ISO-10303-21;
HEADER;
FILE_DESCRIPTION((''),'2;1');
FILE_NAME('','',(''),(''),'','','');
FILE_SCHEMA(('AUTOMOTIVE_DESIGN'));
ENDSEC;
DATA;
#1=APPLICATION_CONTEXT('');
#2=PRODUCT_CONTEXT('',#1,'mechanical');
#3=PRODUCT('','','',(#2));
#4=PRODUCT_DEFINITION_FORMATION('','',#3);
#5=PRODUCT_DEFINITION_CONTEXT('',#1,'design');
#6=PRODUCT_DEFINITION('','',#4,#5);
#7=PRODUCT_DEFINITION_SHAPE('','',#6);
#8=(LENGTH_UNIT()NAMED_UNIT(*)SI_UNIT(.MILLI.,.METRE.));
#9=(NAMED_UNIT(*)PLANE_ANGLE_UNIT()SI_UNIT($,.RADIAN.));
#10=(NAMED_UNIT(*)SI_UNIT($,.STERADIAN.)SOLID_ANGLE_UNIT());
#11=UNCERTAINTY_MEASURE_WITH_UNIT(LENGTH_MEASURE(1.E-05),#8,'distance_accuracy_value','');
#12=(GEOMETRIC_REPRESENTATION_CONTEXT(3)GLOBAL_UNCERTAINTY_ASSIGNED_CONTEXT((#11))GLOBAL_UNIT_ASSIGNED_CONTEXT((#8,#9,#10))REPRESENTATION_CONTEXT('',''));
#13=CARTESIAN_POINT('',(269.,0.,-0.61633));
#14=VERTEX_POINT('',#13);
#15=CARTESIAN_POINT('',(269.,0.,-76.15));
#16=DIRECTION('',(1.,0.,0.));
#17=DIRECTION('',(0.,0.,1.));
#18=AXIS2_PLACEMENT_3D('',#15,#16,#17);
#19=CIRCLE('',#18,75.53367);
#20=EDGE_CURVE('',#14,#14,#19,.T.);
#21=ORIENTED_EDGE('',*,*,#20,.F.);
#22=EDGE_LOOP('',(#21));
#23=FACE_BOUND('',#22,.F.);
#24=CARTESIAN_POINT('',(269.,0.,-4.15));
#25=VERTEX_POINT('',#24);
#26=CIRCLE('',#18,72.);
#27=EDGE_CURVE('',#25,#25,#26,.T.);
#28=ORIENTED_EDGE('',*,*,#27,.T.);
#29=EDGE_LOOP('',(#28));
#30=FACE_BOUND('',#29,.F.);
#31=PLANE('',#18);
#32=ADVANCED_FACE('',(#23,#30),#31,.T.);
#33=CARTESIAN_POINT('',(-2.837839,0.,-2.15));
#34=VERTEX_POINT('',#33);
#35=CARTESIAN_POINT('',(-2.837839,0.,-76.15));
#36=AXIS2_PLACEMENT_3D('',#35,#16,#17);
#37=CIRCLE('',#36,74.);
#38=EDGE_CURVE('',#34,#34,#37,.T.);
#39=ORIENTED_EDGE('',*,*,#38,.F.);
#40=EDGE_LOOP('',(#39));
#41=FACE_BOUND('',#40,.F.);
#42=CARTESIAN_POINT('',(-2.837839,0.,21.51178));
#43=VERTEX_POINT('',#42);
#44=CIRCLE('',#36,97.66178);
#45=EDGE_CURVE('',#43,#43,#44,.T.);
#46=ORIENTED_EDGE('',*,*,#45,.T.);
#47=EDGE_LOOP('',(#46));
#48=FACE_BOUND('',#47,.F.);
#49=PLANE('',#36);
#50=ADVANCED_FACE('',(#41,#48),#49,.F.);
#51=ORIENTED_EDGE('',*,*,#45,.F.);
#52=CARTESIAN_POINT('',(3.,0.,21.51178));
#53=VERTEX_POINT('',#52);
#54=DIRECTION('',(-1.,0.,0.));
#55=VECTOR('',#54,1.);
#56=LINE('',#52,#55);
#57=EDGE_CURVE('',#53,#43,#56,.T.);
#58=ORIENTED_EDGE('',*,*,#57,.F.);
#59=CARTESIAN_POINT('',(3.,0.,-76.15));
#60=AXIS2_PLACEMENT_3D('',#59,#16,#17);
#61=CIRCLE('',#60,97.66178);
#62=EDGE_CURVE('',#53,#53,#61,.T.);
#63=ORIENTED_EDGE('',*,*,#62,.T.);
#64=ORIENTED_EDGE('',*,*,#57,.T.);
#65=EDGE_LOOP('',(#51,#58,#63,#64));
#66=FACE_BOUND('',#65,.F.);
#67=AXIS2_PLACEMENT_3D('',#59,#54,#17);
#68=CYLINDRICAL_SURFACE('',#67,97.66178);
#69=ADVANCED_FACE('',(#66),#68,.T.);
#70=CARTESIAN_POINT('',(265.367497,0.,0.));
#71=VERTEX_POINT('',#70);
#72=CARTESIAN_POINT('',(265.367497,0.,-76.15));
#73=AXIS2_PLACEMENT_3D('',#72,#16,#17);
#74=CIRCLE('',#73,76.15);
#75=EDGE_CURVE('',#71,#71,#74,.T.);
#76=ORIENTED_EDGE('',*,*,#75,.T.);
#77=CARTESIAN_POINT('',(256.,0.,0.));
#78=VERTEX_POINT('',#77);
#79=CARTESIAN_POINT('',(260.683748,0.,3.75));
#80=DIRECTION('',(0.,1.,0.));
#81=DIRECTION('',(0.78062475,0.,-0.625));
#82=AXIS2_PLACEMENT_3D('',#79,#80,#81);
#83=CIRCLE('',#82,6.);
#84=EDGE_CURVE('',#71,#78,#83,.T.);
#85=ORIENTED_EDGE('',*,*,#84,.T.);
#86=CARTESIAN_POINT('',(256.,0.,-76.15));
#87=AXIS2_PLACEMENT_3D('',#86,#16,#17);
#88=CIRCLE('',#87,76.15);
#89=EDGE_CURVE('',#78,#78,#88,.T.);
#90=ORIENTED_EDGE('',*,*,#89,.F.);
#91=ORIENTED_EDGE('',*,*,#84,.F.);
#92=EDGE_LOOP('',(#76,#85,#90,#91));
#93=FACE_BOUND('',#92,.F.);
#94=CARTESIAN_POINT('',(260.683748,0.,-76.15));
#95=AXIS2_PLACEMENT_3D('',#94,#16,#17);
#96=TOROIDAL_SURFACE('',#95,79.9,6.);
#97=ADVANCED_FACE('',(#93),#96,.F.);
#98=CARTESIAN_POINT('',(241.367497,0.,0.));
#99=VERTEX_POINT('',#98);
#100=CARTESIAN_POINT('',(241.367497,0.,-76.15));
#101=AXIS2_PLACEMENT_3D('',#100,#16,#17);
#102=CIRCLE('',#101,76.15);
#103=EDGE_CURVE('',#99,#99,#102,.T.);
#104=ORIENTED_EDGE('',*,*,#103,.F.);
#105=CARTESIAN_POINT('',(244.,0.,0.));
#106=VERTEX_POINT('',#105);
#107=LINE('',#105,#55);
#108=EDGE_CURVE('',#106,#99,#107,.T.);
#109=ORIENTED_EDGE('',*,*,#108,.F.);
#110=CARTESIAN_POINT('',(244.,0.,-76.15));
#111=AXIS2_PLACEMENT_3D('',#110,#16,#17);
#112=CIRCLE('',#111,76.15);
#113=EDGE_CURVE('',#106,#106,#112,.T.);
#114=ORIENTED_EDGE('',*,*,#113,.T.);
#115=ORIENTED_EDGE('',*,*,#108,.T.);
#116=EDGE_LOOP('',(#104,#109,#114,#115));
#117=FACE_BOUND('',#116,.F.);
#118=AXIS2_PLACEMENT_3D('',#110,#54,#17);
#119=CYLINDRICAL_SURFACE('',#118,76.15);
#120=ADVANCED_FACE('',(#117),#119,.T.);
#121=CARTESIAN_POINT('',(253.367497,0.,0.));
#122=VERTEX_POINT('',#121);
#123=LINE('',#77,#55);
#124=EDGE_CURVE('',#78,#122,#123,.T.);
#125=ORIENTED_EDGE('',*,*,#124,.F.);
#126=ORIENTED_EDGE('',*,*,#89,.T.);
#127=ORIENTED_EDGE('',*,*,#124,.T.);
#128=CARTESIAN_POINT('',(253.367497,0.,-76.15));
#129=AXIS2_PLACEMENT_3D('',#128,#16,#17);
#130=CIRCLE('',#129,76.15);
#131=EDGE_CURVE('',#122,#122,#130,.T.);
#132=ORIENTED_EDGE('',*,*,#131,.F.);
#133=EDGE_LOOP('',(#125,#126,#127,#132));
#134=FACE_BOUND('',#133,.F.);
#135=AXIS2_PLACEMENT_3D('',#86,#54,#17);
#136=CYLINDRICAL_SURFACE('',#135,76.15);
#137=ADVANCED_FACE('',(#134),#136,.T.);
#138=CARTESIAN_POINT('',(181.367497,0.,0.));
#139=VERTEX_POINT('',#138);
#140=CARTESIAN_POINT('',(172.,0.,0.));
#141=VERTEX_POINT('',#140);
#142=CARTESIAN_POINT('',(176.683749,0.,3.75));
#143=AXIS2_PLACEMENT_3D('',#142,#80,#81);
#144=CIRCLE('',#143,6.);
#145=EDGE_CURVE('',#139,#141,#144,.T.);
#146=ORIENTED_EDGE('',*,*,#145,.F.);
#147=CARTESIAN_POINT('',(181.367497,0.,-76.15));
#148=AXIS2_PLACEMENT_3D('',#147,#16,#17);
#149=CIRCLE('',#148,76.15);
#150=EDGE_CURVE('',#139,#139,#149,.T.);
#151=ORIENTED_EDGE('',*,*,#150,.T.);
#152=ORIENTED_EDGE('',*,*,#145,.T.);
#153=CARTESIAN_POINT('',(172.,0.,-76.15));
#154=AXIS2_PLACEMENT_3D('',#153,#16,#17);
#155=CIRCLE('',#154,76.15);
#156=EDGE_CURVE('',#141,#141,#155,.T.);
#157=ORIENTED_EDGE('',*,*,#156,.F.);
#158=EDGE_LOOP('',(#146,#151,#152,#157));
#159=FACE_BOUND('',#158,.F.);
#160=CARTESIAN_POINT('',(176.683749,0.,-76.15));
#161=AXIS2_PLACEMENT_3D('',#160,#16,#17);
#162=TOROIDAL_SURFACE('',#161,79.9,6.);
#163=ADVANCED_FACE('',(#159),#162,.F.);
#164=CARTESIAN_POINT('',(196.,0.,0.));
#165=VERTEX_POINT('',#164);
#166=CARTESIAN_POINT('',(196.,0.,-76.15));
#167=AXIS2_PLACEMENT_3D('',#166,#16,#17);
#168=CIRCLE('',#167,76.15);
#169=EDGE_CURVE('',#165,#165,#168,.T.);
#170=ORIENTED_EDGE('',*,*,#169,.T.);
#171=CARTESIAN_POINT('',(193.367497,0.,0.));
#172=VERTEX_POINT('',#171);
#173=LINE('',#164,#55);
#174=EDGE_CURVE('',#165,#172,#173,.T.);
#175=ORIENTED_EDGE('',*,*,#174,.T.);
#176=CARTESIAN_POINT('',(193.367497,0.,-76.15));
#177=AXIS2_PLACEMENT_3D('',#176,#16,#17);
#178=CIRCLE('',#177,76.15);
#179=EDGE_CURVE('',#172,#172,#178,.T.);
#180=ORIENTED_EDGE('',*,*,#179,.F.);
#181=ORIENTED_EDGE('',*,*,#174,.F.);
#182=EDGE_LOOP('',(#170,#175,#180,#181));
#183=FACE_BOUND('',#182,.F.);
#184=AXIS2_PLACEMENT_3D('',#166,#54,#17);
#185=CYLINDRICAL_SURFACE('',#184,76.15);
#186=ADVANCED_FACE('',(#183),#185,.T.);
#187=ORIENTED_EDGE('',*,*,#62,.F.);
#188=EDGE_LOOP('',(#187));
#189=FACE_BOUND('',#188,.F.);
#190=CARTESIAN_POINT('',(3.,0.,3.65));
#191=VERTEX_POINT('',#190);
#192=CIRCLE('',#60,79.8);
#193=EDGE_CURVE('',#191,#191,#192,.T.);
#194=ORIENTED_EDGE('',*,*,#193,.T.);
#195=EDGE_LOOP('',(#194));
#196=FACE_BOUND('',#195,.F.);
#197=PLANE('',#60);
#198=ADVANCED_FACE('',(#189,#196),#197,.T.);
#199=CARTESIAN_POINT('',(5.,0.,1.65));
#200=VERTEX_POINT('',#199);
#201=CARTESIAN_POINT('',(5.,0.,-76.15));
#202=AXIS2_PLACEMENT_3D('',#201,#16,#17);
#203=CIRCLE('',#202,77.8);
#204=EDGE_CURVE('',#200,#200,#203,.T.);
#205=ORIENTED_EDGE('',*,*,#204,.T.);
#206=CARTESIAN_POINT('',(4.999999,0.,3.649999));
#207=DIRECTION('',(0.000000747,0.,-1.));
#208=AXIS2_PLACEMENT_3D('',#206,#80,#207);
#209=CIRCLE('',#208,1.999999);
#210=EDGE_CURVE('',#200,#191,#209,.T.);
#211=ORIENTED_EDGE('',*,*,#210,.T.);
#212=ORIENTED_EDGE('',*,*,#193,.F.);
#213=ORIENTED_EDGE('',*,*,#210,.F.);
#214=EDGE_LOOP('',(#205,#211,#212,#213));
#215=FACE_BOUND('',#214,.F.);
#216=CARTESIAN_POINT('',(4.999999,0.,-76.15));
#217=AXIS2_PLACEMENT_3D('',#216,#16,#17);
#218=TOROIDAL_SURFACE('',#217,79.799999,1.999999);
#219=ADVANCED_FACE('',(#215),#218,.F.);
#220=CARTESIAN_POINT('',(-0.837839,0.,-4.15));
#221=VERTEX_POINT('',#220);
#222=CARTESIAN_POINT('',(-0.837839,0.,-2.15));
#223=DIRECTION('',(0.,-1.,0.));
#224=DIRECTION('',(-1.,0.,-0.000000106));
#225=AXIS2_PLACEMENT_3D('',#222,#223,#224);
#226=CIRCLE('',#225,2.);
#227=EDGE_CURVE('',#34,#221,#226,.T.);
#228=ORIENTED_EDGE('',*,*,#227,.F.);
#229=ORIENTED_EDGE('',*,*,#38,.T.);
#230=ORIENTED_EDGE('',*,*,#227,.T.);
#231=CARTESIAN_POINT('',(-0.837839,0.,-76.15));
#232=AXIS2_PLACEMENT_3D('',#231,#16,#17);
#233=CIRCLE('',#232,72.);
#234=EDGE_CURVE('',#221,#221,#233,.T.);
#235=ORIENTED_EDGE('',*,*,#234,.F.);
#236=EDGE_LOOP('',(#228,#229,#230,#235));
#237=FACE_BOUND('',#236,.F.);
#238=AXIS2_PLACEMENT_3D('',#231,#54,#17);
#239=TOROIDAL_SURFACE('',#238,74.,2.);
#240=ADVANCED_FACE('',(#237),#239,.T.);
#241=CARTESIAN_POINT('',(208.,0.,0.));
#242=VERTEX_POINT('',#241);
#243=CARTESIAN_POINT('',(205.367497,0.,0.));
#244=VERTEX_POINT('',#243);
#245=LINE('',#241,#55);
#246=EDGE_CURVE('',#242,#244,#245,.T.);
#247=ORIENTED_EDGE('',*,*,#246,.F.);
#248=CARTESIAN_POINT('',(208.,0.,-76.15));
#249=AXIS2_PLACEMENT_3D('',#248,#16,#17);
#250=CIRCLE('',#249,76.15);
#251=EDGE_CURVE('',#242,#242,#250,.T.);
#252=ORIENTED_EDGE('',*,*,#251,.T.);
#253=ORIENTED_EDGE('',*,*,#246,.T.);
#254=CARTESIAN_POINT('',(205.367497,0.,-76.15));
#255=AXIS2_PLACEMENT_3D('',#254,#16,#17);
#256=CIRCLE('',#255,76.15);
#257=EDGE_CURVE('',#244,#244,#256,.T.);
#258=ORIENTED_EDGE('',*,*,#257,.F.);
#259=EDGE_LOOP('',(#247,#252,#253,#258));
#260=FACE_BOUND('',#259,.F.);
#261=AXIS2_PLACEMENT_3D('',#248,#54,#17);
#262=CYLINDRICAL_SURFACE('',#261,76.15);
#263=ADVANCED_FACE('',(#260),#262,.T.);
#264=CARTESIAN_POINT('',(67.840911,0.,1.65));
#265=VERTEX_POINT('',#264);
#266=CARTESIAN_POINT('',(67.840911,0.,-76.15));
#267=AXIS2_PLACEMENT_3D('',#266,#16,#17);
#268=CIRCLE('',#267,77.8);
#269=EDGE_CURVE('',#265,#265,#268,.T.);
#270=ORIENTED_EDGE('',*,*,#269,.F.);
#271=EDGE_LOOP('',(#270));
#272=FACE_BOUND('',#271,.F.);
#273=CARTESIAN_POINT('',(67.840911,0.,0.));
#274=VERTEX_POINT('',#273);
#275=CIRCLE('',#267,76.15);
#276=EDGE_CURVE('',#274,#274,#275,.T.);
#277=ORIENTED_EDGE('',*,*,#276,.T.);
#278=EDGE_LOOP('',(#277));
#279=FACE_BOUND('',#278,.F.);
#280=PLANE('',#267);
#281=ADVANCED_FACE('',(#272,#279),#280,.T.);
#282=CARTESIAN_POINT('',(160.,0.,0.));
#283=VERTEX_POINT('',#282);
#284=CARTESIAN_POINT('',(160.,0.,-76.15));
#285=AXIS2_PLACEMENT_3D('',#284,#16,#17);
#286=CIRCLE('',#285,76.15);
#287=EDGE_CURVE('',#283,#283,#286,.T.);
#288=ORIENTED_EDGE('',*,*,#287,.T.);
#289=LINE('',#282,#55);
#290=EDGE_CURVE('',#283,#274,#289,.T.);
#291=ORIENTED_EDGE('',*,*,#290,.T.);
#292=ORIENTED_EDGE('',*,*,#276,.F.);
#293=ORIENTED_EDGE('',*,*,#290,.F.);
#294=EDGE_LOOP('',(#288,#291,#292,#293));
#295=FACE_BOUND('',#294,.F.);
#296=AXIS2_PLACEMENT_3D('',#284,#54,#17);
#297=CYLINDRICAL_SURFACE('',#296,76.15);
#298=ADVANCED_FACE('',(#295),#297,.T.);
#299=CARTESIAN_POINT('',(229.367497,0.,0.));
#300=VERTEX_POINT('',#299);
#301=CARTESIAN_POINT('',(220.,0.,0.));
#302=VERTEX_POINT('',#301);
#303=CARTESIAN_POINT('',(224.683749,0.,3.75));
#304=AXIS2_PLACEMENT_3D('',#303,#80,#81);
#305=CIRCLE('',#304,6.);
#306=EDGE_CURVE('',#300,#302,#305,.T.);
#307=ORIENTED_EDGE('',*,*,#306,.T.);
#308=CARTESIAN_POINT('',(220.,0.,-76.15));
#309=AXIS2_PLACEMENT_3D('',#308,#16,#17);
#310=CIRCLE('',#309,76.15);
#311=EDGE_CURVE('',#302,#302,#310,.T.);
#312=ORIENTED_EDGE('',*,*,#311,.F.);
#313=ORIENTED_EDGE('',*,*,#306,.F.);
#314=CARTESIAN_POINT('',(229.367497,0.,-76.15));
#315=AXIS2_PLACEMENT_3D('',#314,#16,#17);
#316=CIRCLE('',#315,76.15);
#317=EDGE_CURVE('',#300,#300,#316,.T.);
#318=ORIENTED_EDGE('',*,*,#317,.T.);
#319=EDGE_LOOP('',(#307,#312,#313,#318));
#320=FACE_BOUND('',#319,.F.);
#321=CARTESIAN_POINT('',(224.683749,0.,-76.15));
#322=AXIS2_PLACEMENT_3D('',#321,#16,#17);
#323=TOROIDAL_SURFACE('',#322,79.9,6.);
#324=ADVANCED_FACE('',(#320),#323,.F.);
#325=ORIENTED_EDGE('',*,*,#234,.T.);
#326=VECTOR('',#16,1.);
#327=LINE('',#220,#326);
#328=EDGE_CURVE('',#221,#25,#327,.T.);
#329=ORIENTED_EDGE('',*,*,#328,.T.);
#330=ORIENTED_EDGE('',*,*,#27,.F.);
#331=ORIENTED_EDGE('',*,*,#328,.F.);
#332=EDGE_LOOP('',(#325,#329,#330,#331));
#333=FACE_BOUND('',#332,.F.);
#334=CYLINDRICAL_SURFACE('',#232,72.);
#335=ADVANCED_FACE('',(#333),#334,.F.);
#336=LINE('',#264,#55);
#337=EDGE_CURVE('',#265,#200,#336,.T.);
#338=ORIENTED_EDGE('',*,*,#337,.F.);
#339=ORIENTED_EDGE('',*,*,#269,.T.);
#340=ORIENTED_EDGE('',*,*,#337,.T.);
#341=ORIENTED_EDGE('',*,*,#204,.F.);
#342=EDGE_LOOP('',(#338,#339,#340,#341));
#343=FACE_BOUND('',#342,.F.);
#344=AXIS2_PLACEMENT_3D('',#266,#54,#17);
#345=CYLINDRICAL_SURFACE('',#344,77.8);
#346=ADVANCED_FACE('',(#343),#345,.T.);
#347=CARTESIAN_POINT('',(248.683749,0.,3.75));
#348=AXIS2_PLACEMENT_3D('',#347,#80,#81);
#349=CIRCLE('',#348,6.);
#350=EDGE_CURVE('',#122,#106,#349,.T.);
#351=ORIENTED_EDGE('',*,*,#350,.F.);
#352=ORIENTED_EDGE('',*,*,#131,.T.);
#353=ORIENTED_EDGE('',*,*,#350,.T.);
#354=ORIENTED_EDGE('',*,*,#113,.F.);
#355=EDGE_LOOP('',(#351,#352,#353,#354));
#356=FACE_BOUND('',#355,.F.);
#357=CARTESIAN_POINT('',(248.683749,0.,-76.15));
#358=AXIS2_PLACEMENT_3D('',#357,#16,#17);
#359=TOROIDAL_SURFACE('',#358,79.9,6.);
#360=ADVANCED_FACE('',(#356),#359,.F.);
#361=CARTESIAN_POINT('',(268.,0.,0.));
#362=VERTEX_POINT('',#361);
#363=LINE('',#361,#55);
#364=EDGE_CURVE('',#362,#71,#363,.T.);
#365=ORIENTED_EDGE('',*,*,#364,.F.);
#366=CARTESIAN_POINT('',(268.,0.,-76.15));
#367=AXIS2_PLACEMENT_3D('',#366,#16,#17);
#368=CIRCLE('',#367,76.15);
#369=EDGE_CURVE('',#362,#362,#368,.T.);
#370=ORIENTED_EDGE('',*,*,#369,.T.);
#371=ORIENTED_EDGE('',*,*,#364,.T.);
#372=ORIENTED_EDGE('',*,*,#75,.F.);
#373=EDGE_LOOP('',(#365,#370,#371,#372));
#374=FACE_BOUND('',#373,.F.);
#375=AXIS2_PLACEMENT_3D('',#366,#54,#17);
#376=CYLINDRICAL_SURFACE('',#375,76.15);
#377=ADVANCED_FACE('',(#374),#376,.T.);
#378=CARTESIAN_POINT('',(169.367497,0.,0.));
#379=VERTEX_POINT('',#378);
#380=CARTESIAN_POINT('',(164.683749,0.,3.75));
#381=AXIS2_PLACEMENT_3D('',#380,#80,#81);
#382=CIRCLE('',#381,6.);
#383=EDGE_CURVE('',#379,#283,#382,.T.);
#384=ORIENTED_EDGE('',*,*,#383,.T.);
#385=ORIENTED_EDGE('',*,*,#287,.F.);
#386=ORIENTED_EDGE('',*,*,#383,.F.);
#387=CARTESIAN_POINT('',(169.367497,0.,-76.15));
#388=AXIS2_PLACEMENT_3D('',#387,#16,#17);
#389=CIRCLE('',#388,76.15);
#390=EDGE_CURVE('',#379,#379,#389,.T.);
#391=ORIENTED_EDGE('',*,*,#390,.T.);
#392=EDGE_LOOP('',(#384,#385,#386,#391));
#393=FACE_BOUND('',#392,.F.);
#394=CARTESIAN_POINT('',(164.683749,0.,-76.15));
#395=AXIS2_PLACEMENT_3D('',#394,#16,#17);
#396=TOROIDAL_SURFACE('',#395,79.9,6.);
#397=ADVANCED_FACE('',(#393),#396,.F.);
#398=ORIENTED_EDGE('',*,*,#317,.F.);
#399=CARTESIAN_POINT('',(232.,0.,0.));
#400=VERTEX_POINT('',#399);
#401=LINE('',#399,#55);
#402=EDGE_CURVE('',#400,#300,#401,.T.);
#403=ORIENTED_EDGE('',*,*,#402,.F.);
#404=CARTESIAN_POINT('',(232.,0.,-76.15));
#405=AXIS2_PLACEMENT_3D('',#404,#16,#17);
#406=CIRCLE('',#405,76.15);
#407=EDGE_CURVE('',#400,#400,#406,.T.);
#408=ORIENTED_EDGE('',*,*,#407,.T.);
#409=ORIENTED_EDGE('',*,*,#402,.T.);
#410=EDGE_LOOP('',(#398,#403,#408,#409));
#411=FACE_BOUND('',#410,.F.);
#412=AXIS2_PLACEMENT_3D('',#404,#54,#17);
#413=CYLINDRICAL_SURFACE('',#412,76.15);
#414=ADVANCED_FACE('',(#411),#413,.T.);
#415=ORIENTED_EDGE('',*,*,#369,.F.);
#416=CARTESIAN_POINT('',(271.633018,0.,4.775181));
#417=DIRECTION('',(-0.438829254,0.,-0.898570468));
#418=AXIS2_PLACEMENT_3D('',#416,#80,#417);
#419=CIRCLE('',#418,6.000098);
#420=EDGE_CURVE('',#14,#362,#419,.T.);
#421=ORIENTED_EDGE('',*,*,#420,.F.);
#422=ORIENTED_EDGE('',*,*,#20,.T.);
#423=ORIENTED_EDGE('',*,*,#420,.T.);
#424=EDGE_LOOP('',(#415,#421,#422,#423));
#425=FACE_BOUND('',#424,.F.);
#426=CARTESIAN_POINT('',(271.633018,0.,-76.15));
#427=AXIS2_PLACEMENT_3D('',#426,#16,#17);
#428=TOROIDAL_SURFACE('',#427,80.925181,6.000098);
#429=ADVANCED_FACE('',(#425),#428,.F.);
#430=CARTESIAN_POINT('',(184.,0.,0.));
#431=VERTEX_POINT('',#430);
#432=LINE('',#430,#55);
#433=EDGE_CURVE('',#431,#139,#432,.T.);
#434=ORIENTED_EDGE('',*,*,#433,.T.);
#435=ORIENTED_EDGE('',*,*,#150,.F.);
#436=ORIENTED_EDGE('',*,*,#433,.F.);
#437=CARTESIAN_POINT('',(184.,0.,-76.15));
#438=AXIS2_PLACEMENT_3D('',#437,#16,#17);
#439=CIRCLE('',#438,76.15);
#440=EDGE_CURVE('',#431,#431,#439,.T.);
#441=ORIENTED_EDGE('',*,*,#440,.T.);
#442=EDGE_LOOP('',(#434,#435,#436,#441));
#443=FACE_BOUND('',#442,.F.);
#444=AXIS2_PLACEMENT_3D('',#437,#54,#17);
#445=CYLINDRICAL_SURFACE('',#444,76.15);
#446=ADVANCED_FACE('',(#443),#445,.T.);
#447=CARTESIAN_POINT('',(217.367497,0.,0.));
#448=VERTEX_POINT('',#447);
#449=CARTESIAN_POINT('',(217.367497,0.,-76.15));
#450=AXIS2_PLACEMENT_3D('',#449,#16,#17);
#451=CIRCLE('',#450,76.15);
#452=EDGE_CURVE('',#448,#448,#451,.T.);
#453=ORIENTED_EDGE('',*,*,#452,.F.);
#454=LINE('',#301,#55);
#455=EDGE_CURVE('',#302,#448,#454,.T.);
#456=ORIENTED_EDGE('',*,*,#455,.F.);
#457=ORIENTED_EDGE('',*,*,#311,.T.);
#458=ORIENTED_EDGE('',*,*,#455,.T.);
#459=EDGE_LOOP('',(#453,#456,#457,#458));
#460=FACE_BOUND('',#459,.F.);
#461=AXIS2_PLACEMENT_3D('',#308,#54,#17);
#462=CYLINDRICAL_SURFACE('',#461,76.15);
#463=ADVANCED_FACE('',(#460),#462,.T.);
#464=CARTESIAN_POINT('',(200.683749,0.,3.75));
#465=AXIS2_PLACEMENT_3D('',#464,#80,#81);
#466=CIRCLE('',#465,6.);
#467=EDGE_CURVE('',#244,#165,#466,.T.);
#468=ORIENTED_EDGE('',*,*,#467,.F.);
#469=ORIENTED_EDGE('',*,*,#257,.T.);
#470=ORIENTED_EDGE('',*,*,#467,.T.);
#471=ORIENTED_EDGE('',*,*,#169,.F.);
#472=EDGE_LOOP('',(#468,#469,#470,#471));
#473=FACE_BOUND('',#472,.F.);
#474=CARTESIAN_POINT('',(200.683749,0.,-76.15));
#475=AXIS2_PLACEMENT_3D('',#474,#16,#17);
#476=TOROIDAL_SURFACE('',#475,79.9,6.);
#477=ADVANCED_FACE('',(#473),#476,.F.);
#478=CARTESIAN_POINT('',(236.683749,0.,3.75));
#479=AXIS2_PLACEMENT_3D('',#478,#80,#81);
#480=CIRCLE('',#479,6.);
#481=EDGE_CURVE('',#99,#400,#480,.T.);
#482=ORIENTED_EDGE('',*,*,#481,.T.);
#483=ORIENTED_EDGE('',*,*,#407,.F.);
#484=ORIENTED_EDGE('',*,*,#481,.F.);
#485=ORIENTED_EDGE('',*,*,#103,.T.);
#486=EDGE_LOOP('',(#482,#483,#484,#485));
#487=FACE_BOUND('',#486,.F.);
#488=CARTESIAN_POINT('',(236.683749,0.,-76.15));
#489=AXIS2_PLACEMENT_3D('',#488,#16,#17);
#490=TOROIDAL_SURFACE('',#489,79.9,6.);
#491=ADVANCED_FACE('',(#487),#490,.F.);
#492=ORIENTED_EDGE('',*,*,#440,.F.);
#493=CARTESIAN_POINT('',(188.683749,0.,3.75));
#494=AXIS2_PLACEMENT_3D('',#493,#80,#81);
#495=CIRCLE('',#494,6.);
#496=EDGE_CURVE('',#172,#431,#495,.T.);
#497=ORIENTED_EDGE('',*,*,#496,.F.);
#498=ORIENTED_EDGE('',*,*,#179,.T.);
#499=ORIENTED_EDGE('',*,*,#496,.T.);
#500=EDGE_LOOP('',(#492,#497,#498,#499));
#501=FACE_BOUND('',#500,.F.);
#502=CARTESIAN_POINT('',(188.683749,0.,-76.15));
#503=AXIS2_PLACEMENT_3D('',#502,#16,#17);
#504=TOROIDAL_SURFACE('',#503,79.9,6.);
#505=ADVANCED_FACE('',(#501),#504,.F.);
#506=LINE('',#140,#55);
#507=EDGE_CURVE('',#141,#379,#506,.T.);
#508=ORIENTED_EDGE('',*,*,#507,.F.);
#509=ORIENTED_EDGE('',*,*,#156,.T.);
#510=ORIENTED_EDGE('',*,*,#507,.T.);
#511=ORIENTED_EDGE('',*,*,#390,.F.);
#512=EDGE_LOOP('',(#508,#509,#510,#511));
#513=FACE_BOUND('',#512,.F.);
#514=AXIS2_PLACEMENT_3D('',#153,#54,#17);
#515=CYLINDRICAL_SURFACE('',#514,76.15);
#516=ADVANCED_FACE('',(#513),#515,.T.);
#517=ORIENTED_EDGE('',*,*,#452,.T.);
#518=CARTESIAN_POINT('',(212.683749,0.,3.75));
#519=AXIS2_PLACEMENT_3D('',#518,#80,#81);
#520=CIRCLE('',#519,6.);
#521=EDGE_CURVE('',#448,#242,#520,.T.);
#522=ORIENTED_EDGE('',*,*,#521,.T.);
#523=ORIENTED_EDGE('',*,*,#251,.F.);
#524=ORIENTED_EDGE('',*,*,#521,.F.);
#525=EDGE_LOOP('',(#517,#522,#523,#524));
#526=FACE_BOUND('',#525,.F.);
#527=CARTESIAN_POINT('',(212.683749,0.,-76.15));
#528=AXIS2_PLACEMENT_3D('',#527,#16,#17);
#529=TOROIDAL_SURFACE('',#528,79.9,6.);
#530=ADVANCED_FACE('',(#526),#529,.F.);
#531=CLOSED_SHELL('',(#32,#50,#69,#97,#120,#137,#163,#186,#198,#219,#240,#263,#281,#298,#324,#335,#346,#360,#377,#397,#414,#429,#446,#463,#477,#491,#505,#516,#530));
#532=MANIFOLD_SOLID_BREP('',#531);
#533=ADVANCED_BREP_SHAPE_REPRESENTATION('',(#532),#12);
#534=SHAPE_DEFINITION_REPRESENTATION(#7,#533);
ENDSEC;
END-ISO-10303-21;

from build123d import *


with BuildPart() as f1:
    # F0 (on Front) → F1 (revolve)
    with BuildSketch(Plane.XZ):
        with BuildLine():
            ThreePointArc((-2.837839, -2.15), (-2.252052, -3.564214), (-0.837839, -4.15))
            Line((-0.837839, -4.15), (269, -4.15))
            Line((269, -4.15), (269, -0.61633))
            ThreePointArc((269, -0.61633), (268.484881, -0.332696), (268, 0))
            Line((268, 0), (265.367497, 0))
            ThreePointArc((265.367497, 0), (260.683748, -2.25), (256, 0))
            Line((256, 0), (253.367497, 0))
            ThreePointArc((253.367497, 0), (248.683748, -2.25), (244, 0))
            Line((244, 0), (241.367497, 0))
            ThreePointArc((241.367497, 0), (236.683748, -2.25), (232, 0))
            Line((232, 0), (229.367497, 0))
            ThreePointArc((229.367497, 0), (224.683748, -2.25), (220, 0))
            Line((220, 0), (217.367497, 0))
            ThreePointArc((217.367497, 0), (212.683748, -2.25), (208, 0))
            Line((208, 0), (205.367497, 0))
            ThreePointArc((205.367497, 0), (200.683748, -2.25), (196, 0))
            Line((196, 0), (193.367497, 0))
            ThreePointArc((193.367497, 0), (188.683748, -2.25), (184, 0))
            Line((184, 0), (181.367497, 0))
            ThreePointArc((181.367497, 0), (176.683748, -2.25), (172, 0))
            Line((172, 0), (169.367497, 0))
            ThreePointArc((169.367497, 0), (164.683748, -2.25), (160, 0))
            Line((160, 0), (67.840911, 0))
            Line((67.840911, 0), (67.840911, 1.65))
            Line((67.840911, 1.65), (5, 1.65))
            ThreePointArc((5, 1.65), (3.585786, 2.235786), (3, 3.65))
            Line((3, 3.65), (3, 21.51178))
            Line((3, 21.51178), (-2.837839, 21.51178))
            Line((-2.837839, 21.51178), (-2.837839, -2.15))
        make_face()
    revolve(axis=Axis((138.761062, 0, -76.15), (1, 0, 0)))


solid = f1.part
